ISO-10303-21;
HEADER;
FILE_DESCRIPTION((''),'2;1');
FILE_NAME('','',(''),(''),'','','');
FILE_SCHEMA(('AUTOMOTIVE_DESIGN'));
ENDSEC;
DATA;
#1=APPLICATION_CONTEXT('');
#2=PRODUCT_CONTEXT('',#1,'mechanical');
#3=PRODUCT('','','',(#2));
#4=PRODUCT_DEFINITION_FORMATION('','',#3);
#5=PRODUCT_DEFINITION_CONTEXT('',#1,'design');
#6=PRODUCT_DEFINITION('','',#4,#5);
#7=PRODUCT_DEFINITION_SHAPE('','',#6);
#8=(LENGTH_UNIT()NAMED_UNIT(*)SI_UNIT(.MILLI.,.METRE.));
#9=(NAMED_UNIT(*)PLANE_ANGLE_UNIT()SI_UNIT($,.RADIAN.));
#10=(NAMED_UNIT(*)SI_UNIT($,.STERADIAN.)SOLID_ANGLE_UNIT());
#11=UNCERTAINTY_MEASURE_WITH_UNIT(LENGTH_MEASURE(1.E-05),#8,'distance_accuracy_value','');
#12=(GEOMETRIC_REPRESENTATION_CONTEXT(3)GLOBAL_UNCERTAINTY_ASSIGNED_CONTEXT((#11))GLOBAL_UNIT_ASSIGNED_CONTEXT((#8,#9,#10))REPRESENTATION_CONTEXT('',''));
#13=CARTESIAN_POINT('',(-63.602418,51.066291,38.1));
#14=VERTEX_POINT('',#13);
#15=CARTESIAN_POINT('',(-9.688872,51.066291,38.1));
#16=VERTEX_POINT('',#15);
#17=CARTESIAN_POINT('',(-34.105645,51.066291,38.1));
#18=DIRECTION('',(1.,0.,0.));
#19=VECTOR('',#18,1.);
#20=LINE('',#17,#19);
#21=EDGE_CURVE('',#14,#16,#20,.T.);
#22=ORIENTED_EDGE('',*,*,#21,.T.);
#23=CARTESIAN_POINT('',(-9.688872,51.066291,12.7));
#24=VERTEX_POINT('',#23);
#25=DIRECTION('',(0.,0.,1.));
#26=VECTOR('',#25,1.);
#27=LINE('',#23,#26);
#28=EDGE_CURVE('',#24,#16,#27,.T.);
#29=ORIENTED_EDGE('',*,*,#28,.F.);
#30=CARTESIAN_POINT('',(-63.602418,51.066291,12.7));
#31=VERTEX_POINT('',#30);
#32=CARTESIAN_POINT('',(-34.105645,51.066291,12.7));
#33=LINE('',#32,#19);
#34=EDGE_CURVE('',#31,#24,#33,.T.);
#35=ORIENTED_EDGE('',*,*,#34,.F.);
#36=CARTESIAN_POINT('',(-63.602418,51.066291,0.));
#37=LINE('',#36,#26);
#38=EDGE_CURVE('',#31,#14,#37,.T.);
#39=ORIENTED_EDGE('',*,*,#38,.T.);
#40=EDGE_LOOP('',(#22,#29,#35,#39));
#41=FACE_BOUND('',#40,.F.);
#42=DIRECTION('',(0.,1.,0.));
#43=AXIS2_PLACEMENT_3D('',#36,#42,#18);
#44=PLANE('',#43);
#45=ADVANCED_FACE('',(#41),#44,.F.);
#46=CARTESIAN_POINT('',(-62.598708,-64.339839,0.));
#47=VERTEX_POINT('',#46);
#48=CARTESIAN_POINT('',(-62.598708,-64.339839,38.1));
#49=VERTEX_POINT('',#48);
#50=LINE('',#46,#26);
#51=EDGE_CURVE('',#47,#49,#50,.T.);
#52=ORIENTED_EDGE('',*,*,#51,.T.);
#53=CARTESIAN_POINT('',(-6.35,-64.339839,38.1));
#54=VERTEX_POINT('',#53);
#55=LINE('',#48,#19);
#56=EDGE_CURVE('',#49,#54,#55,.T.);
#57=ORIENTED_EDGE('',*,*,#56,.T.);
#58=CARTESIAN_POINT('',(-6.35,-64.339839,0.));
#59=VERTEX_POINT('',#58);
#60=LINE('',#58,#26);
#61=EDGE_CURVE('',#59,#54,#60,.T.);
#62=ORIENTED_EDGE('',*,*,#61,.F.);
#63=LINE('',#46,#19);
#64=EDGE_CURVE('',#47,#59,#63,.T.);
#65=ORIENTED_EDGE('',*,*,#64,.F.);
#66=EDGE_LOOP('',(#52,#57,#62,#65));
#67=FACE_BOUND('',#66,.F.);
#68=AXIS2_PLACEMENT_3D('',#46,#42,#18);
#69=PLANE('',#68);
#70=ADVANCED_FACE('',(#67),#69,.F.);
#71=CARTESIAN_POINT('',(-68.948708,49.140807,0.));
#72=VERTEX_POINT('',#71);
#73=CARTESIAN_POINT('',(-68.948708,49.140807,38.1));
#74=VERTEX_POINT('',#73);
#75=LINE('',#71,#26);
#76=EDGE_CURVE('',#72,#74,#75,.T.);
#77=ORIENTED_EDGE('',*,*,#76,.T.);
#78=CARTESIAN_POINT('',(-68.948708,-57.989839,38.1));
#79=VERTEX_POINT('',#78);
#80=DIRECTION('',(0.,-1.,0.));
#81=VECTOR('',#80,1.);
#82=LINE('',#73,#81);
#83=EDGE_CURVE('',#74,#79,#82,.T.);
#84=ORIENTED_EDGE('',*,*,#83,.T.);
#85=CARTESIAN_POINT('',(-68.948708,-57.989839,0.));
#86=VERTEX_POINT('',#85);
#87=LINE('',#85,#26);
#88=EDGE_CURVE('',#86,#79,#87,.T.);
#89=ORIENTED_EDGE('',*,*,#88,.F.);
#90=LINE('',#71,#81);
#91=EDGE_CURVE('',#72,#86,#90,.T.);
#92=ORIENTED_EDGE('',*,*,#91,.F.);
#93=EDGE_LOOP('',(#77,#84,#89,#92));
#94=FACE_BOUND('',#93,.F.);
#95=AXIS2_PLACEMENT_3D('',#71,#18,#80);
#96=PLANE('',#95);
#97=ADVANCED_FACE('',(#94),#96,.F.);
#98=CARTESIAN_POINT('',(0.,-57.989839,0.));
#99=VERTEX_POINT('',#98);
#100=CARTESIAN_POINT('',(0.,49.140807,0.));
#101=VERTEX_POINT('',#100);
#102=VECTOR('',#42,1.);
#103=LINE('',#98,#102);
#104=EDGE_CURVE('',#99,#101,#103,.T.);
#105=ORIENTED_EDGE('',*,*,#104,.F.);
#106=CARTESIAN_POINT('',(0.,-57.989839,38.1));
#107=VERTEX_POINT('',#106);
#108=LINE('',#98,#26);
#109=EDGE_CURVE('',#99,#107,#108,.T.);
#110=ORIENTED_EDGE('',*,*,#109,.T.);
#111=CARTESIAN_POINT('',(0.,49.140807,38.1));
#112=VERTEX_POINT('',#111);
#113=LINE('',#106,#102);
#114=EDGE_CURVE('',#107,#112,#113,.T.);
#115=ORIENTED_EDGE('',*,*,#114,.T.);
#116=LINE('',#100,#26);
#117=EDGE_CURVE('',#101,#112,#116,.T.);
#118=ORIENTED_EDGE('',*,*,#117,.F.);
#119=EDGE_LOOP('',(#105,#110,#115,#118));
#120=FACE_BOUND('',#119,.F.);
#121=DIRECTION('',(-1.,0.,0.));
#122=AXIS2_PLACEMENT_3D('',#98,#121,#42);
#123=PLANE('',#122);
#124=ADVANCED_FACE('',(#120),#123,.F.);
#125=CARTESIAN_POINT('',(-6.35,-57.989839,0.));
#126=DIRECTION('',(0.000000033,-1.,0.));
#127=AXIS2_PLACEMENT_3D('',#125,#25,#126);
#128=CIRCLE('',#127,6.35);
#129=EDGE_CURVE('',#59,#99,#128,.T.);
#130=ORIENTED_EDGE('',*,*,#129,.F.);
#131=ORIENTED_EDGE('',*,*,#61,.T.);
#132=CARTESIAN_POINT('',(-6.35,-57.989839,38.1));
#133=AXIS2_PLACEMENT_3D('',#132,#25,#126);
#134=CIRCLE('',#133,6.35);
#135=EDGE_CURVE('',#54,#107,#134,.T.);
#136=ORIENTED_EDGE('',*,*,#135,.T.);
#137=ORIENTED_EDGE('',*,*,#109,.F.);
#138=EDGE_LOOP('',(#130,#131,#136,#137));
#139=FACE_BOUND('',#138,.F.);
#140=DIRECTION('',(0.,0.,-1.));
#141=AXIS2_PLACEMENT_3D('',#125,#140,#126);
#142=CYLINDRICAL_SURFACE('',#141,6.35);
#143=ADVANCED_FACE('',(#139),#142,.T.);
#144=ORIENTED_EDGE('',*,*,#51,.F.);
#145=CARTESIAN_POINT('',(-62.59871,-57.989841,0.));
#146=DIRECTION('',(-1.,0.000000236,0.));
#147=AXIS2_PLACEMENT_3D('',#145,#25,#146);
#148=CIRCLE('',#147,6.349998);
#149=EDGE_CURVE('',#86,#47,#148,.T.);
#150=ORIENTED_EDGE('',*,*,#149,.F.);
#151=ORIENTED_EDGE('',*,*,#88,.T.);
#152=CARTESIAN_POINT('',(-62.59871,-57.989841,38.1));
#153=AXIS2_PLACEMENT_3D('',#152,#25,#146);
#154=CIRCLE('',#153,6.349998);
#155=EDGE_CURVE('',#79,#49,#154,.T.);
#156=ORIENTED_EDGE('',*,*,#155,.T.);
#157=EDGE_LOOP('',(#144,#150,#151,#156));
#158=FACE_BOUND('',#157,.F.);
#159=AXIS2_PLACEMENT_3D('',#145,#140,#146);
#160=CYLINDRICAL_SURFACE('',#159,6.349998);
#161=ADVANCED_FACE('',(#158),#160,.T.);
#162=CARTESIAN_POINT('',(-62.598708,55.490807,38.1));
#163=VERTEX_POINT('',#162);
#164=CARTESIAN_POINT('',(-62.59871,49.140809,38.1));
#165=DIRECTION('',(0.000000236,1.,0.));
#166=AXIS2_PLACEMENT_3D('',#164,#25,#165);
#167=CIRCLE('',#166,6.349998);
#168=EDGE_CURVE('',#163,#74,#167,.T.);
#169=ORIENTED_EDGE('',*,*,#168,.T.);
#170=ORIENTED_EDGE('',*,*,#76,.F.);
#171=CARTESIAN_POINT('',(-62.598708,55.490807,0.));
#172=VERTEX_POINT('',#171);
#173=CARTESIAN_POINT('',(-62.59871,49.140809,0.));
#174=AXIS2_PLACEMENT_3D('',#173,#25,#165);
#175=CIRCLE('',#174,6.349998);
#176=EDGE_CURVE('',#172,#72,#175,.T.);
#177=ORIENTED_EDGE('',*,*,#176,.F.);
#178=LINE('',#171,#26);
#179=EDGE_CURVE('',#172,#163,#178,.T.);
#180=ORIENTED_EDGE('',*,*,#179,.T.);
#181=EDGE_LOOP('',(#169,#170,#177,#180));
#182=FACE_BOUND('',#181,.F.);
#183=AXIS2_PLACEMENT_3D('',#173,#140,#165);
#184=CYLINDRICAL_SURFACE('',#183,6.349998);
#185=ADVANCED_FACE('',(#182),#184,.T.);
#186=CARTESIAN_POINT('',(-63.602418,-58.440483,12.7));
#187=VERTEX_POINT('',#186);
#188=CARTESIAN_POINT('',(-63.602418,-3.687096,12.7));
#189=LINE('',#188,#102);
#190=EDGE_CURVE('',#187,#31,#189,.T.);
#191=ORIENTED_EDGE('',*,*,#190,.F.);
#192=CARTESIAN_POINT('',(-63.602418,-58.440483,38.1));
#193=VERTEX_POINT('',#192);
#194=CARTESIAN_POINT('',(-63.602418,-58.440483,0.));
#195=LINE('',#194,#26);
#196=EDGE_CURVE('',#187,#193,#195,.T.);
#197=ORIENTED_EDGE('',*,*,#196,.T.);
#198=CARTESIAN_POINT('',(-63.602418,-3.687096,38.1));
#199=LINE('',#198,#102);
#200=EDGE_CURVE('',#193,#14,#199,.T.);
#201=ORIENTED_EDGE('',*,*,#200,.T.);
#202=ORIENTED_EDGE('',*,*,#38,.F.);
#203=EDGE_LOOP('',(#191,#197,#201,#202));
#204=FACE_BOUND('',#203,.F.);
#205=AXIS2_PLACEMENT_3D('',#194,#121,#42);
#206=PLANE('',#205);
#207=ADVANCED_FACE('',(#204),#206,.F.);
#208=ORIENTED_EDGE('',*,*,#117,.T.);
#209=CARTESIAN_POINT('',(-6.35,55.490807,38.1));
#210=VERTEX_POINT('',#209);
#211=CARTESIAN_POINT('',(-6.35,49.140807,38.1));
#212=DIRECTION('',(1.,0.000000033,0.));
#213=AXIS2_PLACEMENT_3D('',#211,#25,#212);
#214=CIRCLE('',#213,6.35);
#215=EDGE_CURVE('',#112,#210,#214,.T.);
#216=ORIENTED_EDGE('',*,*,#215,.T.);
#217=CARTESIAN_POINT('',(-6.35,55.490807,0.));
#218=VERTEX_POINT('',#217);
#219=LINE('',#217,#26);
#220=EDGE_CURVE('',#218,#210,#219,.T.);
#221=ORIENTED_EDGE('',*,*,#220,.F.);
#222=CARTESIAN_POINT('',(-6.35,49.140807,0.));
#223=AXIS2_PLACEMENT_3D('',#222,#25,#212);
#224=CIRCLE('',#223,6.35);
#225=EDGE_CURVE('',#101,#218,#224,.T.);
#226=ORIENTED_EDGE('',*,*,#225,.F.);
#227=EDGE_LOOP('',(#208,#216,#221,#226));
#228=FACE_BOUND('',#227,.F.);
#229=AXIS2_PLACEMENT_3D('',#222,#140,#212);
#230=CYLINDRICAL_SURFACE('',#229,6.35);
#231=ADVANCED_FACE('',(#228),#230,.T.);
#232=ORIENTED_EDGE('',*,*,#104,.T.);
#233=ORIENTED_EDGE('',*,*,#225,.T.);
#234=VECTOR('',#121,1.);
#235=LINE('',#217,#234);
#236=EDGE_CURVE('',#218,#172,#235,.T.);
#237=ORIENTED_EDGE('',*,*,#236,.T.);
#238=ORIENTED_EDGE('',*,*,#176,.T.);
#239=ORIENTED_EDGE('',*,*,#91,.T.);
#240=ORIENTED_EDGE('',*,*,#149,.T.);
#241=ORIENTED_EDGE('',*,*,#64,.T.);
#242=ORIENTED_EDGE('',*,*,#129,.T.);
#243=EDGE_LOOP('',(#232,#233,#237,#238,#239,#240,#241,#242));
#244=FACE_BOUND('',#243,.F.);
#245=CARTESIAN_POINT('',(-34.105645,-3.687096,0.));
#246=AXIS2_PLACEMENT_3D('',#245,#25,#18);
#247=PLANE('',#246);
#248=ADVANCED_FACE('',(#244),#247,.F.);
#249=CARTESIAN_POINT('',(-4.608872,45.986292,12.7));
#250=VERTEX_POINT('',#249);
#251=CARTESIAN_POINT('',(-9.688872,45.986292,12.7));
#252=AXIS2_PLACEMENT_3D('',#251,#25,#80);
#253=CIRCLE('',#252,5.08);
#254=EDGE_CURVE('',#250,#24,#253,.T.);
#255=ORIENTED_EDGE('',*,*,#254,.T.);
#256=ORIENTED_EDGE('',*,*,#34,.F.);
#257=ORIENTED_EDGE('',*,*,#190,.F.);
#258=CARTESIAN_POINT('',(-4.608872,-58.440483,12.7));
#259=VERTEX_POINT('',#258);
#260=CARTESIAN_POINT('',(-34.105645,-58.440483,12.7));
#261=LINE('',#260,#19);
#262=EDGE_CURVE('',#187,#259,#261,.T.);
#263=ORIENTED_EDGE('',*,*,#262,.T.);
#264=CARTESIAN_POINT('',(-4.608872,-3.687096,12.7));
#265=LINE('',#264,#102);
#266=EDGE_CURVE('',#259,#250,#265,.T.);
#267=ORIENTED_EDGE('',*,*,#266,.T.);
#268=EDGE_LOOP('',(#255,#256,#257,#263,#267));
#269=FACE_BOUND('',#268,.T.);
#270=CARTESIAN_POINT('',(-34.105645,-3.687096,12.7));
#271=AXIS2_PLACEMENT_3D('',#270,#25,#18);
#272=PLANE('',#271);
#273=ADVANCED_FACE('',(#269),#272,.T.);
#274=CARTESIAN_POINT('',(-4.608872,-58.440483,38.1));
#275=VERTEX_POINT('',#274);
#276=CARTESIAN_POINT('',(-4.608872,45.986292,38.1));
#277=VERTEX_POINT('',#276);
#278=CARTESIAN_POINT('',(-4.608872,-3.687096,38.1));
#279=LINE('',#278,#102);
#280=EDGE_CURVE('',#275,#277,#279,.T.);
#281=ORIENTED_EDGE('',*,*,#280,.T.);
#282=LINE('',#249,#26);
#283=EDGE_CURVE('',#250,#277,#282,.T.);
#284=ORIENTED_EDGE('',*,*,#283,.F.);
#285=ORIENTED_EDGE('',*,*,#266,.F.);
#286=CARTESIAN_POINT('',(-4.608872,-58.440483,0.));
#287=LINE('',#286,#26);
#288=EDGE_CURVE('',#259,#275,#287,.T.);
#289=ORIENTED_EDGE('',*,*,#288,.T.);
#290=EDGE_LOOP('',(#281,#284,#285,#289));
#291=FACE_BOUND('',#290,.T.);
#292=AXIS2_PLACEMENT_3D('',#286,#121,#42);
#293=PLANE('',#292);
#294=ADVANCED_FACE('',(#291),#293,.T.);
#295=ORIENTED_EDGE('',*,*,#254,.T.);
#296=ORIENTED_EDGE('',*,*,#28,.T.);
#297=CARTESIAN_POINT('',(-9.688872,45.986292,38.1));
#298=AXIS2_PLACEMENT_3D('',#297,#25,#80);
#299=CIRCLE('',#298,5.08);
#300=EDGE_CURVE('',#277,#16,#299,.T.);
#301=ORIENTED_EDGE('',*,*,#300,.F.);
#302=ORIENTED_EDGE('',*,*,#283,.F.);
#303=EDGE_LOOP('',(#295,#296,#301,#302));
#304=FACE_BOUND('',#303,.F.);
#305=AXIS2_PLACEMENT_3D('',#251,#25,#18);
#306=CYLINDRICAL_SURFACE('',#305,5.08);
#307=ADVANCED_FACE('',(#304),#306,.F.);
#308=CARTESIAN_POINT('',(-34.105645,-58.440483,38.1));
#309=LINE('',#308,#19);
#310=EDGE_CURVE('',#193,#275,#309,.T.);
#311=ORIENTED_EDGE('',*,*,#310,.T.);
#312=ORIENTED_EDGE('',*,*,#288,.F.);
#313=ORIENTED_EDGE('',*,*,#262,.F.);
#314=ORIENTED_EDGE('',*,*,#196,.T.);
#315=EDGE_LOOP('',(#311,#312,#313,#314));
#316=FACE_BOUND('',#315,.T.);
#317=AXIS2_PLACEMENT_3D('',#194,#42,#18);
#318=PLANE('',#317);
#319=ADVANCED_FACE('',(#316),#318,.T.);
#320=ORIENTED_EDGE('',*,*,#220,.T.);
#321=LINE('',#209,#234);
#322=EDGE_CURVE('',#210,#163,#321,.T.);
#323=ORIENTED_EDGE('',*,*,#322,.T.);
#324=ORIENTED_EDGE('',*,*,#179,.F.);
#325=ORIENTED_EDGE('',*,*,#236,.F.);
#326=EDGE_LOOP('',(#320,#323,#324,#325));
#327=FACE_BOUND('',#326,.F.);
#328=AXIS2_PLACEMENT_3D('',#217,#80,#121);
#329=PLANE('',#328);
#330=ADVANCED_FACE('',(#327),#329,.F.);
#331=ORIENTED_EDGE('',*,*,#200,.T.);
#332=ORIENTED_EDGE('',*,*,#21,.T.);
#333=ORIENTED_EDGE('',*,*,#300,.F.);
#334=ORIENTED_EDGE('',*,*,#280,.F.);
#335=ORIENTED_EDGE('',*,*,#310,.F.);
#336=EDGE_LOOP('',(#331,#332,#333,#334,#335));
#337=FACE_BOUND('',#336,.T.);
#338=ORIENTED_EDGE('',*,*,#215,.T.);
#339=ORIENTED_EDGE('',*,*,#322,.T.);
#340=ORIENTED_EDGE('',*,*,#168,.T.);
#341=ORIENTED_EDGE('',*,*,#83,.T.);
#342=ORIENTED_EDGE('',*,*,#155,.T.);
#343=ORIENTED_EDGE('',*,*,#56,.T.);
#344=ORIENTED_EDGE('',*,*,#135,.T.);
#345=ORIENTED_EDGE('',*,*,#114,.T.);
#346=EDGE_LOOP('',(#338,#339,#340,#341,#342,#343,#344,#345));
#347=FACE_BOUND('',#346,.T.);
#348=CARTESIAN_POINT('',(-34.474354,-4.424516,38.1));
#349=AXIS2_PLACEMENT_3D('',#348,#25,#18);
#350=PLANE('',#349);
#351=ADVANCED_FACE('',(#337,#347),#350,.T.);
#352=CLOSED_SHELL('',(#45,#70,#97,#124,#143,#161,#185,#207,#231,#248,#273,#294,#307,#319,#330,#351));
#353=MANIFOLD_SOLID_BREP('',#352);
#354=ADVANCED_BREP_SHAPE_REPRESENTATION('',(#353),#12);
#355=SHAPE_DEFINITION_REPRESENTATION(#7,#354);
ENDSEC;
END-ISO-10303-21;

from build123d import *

# Parameters (mm, degrees)
F0_W     = 58.993546
F0_H     = 109.506775
F1_DEPTH = 38.1
F2_DEPTH = 12.7
F3_R     = 5.08


with BuildPart() as f1:
    # F0 (on Top) → F1 (new body)
    with BuildSketch(Plane.XY):
        with BuildLine():
            Line((-62.598708, -64.339839), (-6.35, -64.339839))
            ThreePointArc((-6.35, -64.339839), (-1.859872, -62.479967), (0, -57.989839))
            Line((0, -57.989839), (0, 49.140807))
            ThreePointArc((0, 49.140807), (-1.859872, 53.630935), (-6.35, 55.490807))
            Line((-6.35, 55.490807), (-62.598708, 55.490807))
            ThreePointArc((-62.598708, 55.490807), (-67.088837, 53.630935), (-68.948708, 49.140807))
            Line((-68.948708, 49.140807), (-68.948708, -57.989839))
            ThreePointArc((-68.948708, -57.989839), (-67.088837, -62.479967), (-62.598708, -64.339839))
        make_face()
        with Locations((-34.105645, -3.687096)):
            Rectangle(F0_W, F0_H, mode=Mode.SUBTRACT)
    extrude(amount=F1_DEPTH)

    # F0 (on Top) → F2 (join)
    with BuildSketch(Plane.XY):
        with Locations((-34.105645, -3.687096)):
            Rectangle(F0_W, F0_H)
    extrude(amount=F2_DEPTH)

    # F3
    f3_edges = [f1.edges().sort_by_distance(p)[0] for p in [
        (-4.608872, 51.066291, 25.4),
    ]]
    fillet(f3_edges, radius=F3_R)


solid = f1.part
